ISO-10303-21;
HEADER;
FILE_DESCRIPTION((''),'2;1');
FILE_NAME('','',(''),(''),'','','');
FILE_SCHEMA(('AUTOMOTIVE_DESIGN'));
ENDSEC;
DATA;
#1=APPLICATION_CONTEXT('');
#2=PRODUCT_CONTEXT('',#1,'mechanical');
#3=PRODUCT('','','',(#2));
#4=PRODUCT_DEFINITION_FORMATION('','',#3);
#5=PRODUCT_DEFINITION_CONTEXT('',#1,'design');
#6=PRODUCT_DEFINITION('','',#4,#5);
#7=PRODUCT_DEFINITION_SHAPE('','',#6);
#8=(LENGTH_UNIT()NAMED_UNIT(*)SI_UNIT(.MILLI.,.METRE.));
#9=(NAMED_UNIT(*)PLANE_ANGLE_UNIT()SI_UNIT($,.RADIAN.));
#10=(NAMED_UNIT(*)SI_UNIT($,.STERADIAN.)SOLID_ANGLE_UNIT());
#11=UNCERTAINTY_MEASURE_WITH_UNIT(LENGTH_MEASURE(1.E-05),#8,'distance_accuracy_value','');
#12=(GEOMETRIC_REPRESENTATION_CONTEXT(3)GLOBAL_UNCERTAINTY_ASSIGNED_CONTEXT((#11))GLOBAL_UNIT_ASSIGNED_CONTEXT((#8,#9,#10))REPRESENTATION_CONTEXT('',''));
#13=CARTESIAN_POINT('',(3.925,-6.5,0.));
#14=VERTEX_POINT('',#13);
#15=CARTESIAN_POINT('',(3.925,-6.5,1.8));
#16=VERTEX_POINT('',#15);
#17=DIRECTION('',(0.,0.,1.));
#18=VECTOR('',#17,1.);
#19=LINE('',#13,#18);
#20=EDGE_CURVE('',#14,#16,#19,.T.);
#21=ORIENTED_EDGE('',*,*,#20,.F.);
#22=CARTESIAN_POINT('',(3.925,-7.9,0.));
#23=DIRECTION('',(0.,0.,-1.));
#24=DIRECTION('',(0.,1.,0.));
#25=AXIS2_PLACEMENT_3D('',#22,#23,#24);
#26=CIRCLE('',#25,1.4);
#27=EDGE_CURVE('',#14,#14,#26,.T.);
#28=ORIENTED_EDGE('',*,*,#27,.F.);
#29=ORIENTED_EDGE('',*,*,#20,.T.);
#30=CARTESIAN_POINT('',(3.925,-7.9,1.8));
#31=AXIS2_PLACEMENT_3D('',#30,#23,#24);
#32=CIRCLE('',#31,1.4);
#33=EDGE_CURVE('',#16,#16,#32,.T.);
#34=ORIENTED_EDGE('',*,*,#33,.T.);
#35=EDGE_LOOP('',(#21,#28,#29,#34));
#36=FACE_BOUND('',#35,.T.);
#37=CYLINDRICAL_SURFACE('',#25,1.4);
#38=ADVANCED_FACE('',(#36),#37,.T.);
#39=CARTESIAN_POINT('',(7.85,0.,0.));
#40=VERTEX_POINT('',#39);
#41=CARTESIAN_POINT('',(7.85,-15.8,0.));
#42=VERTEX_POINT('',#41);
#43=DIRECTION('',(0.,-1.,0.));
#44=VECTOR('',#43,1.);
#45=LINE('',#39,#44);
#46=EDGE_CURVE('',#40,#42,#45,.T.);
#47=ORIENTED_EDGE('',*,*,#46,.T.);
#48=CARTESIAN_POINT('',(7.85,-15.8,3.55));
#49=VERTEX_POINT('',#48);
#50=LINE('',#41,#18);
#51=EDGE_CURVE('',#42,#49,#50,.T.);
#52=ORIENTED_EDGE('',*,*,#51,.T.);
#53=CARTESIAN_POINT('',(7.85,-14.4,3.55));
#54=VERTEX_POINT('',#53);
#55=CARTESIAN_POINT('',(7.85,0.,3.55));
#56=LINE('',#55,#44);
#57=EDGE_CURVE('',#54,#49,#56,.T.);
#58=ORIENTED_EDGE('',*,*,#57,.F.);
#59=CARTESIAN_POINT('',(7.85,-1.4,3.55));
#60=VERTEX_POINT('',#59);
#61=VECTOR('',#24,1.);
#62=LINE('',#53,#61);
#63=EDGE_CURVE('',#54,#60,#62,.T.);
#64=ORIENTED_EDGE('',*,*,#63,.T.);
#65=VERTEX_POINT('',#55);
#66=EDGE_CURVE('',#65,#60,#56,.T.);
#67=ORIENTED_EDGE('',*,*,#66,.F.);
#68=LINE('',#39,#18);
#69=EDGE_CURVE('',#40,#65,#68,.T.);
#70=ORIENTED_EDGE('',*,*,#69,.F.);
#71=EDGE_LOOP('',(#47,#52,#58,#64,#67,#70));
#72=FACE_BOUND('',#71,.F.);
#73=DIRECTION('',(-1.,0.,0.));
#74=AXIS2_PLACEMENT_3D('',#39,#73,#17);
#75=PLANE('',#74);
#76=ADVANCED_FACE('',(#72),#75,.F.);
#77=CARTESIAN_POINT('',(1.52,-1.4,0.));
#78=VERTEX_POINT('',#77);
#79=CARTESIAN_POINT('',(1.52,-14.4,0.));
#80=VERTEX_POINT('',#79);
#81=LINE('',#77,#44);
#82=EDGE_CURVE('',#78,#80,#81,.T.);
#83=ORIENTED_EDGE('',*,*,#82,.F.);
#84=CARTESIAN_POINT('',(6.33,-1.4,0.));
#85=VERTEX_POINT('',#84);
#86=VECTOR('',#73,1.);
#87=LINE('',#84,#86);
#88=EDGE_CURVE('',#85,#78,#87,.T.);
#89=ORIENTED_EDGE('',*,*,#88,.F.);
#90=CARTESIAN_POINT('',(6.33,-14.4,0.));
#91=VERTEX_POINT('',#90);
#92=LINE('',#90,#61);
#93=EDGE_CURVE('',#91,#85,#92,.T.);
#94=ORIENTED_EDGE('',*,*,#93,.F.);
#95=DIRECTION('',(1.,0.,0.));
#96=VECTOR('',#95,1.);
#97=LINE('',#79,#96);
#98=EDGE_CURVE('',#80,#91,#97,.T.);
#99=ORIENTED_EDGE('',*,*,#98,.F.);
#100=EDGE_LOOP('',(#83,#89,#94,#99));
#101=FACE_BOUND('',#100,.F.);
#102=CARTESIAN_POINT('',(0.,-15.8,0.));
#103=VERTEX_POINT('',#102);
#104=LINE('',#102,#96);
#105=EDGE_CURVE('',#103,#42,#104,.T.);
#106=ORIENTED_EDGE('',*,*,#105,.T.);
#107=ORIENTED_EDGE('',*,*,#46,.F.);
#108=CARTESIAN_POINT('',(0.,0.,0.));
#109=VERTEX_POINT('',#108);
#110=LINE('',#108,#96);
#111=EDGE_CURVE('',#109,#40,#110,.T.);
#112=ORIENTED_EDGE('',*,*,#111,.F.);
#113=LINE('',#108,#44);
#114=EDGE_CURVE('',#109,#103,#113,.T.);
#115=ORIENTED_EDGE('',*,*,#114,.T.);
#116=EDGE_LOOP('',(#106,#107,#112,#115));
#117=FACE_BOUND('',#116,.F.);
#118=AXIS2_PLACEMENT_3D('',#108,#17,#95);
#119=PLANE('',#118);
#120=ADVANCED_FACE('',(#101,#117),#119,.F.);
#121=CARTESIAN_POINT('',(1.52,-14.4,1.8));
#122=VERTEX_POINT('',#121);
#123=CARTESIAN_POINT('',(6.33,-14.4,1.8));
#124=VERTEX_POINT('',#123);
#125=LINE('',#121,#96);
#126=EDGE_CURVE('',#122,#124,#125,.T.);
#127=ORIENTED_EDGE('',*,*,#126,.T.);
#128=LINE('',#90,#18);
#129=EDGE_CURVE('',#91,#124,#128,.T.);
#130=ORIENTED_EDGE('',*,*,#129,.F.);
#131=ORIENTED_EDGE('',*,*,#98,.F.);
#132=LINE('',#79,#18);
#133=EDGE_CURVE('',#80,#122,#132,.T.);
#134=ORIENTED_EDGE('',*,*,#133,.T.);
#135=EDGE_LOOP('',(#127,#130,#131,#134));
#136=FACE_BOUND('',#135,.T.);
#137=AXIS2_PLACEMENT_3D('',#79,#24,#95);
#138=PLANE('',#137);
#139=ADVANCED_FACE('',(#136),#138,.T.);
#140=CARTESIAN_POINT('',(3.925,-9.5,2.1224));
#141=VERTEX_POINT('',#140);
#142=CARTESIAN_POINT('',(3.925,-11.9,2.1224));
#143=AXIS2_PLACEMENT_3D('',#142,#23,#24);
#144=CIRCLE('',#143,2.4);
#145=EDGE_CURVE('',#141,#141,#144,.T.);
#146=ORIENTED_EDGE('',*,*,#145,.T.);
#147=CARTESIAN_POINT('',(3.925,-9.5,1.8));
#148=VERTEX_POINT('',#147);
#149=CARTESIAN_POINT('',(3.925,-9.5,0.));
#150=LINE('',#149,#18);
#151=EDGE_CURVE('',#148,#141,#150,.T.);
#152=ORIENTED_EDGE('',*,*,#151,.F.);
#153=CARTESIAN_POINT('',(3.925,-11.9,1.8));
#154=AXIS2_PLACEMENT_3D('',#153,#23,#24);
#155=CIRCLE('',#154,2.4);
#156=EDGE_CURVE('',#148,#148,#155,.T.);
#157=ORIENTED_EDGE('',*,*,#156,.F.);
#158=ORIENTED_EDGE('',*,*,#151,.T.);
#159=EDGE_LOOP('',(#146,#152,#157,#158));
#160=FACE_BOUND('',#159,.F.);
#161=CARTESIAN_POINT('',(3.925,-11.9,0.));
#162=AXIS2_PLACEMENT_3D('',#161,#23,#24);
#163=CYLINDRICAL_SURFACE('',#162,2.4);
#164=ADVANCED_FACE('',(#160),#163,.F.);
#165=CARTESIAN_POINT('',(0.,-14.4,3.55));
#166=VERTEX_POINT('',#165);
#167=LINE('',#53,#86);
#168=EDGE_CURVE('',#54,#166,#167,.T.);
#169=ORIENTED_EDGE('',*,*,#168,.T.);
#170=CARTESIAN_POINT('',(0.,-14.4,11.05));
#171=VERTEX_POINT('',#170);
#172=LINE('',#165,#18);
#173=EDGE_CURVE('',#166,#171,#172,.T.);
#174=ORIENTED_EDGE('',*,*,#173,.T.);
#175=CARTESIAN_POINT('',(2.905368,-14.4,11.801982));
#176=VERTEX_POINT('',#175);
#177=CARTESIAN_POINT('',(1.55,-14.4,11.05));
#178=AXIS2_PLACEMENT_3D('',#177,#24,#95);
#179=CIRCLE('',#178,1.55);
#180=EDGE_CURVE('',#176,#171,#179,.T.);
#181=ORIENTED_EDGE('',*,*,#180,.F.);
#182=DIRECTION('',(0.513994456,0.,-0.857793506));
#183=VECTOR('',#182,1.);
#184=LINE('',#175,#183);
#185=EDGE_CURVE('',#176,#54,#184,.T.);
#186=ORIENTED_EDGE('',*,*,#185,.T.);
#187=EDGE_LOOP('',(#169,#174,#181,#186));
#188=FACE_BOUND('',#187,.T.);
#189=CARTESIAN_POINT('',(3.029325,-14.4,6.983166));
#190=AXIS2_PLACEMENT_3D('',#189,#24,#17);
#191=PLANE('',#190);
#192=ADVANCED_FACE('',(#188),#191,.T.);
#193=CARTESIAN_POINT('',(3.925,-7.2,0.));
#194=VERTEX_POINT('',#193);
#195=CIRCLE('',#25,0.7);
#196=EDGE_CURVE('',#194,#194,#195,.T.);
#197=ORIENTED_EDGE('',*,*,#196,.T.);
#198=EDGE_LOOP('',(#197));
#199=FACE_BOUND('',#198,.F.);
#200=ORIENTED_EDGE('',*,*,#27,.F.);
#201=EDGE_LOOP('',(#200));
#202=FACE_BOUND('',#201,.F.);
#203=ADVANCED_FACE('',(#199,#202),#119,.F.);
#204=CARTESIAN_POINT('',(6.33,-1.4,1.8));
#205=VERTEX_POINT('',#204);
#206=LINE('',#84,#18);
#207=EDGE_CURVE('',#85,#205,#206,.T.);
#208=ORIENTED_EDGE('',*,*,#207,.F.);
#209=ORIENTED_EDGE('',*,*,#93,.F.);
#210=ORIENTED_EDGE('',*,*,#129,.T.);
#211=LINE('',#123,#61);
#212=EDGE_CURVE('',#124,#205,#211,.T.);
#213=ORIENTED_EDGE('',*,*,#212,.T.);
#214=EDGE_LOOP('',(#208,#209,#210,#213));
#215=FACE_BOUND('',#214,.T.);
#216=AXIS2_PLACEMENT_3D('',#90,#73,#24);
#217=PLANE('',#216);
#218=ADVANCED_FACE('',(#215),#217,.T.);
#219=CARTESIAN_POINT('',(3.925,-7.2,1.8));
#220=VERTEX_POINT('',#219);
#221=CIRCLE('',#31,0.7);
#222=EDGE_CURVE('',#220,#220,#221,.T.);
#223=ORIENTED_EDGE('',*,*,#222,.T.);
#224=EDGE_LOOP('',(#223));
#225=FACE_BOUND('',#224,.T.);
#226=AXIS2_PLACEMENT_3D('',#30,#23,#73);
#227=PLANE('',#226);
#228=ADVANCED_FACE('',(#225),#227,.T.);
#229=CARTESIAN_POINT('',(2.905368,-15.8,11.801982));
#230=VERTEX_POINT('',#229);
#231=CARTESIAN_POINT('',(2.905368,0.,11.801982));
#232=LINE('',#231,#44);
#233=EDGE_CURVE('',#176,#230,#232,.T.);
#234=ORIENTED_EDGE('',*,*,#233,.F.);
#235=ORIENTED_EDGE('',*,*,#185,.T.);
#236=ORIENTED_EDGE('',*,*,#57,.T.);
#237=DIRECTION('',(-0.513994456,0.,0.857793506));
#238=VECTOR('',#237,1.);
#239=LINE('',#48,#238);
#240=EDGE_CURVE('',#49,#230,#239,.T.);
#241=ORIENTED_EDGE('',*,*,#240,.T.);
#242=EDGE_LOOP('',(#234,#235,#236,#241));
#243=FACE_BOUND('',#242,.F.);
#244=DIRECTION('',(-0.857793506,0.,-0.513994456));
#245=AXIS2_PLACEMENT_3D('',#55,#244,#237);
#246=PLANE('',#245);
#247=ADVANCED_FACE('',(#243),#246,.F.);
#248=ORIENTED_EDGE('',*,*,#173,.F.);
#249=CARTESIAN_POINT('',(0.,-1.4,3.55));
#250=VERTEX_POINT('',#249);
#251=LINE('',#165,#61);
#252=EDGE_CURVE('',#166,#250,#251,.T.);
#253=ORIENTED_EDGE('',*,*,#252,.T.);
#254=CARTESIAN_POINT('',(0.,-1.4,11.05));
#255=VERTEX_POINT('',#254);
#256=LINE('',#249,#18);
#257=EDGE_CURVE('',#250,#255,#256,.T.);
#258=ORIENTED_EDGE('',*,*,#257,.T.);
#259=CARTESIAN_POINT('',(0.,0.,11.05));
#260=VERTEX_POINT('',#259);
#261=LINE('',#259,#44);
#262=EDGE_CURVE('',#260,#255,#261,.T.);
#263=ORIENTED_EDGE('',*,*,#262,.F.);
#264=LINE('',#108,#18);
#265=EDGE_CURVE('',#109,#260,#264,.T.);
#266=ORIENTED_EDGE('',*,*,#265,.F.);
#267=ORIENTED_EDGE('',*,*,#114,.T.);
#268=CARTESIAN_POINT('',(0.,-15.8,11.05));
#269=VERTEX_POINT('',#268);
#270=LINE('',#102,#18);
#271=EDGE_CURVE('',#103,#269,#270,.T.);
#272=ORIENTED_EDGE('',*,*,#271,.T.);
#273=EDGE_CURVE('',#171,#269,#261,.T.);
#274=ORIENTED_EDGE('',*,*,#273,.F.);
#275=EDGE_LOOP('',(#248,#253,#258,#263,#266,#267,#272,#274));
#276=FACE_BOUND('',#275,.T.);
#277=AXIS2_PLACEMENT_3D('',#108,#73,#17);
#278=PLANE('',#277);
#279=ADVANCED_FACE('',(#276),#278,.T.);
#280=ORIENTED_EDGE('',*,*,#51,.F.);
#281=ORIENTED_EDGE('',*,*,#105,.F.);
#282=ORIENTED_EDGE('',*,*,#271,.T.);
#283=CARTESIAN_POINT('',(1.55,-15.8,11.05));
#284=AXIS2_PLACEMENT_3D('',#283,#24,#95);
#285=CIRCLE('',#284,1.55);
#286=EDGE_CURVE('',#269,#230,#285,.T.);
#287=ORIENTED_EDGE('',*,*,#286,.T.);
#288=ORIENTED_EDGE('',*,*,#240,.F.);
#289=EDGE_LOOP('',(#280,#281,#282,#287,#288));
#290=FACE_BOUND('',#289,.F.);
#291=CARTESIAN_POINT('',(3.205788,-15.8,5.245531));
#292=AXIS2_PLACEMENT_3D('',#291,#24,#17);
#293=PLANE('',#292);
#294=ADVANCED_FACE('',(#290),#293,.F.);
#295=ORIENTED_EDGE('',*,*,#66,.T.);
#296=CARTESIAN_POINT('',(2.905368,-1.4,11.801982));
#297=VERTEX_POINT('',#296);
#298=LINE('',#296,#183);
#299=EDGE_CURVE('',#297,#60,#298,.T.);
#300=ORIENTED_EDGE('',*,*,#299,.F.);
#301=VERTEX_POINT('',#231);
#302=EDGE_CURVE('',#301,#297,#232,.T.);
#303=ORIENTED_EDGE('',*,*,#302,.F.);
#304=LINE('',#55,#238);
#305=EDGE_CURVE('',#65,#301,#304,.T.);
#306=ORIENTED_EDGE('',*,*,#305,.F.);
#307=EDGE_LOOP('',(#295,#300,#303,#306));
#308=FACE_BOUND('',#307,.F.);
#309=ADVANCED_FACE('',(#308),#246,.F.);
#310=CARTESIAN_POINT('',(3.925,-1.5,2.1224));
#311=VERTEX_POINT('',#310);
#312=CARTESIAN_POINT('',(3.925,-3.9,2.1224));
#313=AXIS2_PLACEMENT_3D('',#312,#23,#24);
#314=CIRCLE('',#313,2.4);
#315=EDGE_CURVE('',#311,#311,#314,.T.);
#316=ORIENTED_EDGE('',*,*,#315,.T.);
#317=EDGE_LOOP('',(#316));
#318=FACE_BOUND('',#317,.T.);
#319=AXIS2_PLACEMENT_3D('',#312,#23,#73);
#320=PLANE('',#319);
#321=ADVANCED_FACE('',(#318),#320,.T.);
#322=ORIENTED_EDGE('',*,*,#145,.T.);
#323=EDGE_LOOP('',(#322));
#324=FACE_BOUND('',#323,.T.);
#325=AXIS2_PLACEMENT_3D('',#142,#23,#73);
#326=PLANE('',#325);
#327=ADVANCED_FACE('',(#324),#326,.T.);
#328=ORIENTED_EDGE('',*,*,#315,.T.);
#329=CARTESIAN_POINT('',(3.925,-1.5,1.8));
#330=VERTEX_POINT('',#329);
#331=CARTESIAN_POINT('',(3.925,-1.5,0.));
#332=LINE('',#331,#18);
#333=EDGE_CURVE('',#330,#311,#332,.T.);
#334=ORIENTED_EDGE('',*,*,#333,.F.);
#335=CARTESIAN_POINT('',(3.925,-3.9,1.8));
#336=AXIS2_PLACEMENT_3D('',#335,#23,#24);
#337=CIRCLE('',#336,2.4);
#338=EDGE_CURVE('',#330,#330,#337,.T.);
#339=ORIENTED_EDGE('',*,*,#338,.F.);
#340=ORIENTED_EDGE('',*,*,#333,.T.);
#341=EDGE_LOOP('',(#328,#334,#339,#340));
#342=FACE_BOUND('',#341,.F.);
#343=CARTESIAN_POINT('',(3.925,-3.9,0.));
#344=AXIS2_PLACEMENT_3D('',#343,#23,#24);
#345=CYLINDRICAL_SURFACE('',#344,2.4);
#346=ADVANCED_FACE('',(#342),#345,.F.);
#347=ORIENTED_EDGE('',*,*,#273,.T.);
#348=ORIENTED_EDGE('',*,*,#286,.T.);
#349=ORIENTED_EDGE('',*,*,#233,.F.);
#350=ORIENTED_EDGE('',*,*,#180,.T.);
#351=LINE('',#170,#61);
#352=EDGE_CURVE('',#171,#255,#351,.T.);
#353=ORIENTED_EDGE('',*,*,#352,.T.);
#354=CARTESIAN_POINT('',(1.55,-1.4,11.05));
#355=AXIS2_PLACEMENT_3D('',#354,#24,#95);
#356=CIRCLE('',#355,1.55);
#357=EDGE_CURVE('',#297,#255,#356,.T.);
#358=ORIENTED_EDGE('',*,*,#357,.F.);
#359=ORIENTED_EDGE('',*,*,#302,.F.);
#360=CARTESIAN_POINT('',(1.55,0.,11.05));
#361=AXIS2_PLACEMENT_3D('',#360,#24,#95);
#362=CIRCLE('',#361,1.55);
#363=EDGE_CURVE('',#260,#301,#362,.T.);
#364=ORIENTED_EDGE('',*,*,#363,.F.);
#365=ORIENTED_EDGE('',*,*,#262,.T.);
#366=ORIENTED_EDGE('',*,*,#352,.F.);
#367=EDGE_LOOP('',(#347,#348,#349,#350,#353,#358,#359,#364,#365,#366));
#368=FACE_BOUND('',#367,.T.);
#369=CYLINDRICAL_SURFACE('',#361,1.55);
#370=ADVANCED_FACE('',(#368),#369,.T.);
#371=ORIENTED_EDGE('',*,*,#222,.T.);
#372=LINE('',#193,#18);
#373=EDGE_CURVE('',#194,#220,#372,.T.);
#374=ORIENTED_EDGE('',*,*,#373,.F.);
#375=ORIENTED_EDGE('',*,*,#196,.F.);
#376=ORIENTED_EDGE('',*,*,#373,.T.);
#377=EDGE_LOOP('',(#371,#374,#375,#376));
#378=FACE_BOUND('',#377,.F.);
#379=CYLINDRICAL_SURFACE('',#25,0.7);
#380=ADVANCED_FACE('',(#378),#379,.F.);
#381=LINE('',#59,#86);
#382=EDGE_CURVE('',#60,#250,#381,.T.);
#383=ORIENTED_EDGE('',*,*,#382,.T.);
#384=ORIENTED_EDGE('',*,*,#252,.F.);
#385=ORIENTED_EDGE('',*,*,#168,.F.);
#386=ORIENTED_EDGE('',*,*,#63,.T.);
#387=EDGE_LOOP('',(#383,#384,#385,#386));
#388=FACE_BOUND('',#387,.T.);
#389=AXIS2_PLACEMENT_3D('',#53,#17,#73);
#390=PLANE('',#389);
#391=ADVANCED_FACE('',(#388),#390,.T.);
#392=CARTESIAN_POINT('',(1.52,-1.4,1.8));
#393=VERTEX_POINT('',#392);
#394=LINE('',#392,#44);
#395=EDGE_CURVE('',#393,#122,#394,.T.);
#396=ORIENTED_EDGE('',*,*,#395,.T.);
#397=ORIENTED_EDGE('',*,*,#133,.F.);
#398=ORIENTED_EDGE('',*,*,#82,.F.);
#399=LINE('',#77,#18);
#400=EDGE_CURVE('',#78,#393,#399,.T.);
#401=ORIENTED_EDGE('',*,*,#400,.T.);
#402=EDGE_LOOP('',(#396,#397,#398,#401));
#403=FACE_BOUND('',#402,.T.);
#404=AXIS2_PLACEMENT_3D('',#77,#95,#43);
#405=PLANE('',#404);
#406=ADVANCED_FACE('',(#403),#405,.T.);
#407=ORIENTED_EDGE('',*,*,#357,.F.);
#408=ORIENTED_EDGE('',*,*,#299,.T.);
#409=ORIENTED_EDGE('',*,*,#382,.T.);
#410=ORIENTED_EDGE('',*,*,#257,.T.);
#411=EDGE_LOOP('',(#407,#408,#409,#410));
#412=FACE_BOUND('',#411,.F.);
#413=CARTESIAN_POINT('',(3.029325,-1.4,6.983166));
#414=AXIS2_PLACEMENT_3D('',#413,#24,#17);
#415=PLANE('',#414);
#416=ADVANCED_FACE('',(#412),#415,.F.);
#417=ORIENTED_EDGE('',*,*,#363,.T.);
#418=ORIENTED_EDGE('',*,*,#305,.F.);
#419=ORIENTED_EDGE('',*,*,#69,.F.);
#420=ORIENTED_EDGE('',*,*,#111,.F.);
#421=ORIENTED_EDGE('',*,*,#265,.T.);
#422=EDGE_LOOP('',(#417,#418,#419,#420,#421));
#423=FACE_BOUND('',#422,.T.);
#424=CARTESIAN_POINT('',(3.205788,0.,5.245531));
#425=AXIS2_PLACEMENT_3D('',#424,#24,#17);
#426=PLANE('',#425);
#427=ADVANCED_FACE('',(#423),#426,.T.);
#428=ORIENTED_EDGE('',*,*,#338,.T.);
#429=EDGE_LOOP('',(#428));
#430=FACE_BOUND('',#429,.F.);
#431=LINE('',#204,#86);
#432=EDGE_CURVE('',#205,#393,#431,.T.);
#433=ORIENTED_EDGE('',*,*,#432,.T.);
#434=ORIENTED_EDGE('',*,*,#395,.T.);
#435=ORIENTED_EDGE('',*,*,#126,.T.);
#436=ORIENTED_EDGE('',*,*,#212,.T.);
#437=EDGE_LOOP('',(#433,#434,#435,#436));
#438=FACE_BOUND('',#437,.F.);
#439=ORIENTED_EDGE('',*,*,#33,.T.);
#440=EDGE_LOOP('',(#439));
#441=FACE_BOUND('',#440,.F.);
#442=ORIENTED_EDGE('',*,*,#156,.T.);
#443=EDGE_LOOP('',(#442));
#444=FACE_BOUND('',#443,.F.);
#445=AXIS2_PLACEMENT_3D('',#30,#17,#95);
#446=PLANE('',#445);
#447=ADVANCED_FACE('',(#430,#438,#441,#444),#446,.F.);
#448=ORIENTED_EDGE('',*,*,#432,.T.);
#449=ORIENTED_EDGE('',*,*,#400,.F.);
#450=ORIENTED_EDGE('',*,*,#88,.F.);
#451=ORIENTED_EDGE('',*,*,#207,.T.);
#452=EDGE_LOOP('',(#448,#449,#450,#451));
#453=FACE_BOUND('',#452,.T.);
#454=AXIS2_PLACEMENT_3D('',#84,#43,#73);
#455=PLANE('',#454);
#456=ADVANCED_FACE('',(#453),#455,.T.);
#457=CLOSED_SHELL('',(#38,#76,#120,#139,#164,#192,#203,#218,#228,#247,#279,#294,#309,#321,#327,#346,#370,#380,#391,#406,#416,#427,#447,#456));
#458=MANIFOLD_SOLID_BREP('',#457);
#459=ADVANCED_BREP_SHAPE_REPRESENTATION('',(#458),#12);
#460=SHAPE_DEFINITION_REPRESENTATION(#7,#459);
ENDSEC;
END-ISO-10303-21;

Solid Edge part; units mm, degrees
sketch "Sketch1" plane through (0, 0, 0) normal (0, -1, 0) x (1, 0, 0)
  line L0 (0, 0) -> (0, 11.05)
  line L1 (7.85, 3.55) -> (2.9054, 11.802)
  line L2 (7.85, 0) -> (7.85, 3.55)
  line L3 (0, 0) -> (7.85, 0)
  arc A0 (0, 11.05) -> (2.9054, 11.802) centre (1.55, 11.05) cw
extrude "Protrusion1" add sketch "Sketch1" along normal blind 15.8
sketch "Sketch2" plane through (3.925, -14.4, 6.3) normal (0, -1, 0) x (1, 0, 0)
  line L0 (-3.925, -2.75) -> (-3.925, 4.75)
  line L1 (3.925, -2.75) -> (-3.925, -2.75)
  line L2 (-1.0196, 5.502) -> (3.925, -2.75)
  arc A0 (-1.0196, 5.502) -> (-3.925, 4.75) centre (-2.375, 4.75) cw
extrude "ExtrudedCutout_1" cut sketch "Sketch2" against normal blind 13
sketch "Sketch3" plane through (3.925, -7.9, 0) normal (0, 0, -1) x (0, 1, 0)
  line L0 (6.5, -2.405) -> (-6.5, -2.405)
  line L1 (-6.5, -2.405) -> (-6.5, 2.405)
  line L2 (-6.5, 2.405) -> (6.5, 2.405)
  line L3 (6.5, 2.405) -> (6.5, -2.405)
  circle A0 centre (0, 0) radius 1.4
  circle A1 centre (0, 0) radius 0.7
  dimension "D1" = 2.8
  dimension "D2" = 1.4
extrude "ExtrudedCutout_2" cut sketch "Sketch3" against normal blind 1.8
sketch "Sketch4" plane through (3.925, -7.9, 0) normal (0, 0, -1) x (0, 1, 0)
  circle A0 centre (-4, 0) radius 2.4
  circle A1 centre (4, 0) radius 2.4
  dimension "D1" = 4.8
  dimension "D2" = 4.8
extrude "ExtrudedCutout_3" cut sketch "Sketch4" against normal blind 2.1224
